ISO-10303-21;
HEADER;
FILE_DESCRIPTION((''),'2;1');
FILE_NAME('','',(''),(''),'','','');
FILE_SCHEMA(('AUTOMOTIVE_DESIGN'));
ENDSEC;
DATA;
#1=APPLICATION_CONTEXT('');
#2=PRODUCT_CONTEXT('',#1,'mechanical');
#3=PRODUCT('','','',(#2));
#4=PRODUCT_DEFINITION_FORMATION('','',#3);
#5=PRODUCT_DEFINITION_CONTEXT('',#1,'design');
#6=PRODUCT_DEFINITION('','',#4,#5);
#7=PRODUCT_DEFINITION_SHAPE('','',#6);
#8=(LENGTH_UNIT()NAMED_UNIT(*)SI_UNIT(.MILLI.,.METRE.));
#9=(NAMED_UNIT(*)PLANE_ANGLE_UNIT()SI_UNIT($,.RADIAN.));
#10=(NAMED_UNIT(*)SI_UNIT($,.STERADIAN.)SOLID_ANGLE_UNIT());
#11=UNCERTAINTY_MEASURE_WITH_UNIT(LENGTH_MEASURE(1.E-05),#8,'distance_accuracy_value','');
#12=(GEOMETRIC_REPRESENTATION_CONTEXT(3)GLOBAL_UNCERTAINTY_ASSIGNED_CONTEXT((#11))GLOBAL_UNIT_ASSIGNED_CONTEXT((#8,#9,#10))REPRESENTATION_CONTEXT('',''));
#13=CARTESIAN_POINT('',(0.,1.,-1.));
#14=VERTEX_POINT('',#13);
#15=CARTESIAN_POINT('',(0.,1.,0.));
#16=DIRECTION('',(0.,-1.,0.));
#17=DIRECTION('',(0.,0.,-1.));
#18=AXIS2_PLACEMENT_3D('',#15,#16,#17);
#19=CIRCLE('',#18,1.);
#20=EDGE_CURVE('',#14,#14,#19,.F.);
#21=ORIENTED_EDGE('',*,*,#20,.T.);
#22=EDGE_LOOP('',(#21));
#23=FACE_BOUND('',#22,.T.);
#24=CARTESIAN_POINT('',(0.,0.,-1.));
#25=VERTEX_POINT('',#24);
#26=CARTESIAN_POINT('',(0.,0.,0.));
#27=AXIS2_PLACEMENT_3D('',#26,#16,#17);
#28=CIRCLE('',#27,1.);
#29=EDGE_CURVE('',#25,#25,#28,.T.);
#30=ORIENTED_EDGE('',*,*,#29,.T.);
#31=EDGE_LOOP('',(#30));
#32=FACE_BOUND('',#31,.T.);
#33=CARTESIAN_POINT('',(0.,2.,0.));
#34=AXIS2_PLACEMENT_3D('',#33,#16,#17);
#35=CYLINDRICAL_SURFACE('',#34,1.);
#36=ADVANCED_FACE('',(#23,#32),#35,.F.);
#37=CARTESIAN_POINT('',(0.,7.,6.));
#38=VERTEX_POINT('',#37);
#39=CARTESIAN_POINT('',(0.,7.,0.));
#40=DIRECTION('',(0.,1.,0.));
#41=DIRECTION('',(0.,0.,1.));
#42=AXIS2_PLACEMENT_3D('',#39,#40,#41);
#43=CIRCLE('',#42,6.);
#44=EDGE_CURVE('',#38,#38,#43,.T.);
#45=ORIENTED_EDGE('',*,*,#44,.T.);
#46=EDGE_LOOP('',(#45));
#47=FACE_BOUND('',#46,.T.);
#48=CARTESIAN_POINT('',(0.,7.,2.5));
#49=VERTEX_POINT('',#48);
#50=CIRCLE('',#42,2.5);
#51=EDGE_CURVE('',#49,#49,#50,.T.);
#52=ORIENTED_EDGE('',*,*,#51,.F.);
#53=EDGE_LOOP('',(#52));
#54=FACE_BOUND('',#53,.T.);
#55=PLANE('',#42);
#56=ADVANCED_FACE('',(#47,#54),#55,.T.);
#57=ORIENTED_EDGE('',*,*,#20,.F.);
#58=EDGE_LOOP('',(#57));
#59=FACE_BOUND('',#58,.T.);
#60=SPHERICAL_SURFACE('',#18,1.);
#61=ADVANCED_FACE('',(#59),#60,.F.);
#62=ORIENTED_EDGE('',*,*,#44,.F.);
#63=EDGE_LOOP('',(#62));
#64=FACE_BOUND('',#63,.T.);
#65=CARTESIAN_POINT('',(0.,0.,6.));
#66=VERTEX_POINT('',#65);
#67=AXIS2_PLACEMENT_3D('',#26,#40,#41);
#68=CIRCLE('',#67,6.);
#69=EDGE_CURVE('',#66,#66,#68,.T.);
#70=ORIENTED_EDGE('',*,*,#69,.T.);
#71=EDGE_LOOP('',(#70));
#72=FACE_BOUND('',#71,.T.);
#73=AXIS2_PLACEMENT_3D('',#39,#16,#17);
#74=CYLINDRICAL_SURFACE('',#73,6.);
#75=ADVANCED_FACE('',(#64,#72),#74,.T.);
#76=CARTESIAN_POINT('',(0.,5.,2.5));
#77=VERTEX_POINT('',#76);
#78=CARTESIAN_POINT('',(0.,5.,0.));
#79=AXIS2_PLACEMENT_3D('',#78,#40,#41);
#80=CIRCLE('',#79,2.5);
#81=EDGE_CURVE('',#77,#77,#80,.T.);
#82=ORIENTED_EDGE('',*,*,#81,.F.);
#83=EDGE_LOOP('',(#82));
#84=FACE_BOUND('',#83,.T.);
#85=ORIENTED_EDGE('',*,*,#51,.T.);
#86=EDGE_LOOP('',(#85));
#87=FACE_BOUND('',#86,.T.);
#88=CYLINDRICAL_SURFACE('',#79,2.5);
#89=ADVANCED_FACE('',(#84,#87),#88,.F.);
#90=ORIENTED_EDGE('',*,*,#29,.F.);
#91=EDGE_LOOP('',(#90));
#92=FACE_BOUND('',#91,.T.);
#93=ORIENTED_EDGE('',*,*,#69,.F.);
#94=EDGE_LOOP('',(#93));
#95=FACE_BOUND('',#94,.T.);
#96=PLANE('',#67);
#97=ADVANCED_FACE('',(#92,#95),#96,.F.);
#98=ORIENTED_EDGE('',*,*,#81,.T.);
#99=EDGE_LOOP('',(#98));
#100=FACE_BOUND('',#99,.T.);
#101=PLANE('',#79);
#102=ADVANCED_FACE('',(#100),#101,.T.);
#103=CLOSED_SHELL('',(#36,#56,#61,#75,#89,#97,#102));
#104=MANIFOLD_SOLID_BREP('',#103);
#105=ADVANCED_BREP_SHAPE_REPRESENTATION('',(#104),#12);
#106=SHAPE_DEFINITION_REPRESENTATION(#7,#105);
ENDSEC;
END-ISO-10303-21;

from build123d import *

# Parameters (mm, degrees)
SKETCH1_R           = 6
BOSS_EXTRUDE1_DEPTH = 7
SKETCH2_R           = 2.5
CUT_EXTRUDE1_DEPTH  = 2
SKETCH4_R           = 1
CUT_EXTRUDE3_DEPTH  = 2
FILLET1_R           = 1


with BuildPart() as part:
    # Sketch1 → Boss-Extrude1 (new body)
    with BuildSketch(Plane(origin=(0, 0, 0), x_dir=(1, 0, 0), z_dir=(0, 1, 0))):
        Circle(SKETCH1_R)
    extrude(amount=BOSS_EXTRUDE1_DEPTH)

    # Sketch2 → Cut-Extrude1 (cut)
    with BuildSketch(Plane(origin=(0, 7, 0), x_dir=(1, 0, 0), z_dir=(0, 1, 0))):
        Circle(SKETCH2_R)
    extrude(amount=-CUT_EXTRUDE1_DEPTH, mode=Mode.SUBTRACT)

    # Sketch4 → Cut-Extrude3 (cut)
    with BuildSketch(Plane.XZ):
        Circle(SKETCH4_R)
    extrude(amount=-CUT_EXTRUDE3_DEPTH, mode=Mode.SUBTRACT)

    # Fillet1
    fillet1_edges = [part.edges().sort_by_distance(p)[0] for p in [
        (-1, 2, 0),
    ]]
    fillet(fillet1_edges, radius=FILLET1_R)


solid = part.part
